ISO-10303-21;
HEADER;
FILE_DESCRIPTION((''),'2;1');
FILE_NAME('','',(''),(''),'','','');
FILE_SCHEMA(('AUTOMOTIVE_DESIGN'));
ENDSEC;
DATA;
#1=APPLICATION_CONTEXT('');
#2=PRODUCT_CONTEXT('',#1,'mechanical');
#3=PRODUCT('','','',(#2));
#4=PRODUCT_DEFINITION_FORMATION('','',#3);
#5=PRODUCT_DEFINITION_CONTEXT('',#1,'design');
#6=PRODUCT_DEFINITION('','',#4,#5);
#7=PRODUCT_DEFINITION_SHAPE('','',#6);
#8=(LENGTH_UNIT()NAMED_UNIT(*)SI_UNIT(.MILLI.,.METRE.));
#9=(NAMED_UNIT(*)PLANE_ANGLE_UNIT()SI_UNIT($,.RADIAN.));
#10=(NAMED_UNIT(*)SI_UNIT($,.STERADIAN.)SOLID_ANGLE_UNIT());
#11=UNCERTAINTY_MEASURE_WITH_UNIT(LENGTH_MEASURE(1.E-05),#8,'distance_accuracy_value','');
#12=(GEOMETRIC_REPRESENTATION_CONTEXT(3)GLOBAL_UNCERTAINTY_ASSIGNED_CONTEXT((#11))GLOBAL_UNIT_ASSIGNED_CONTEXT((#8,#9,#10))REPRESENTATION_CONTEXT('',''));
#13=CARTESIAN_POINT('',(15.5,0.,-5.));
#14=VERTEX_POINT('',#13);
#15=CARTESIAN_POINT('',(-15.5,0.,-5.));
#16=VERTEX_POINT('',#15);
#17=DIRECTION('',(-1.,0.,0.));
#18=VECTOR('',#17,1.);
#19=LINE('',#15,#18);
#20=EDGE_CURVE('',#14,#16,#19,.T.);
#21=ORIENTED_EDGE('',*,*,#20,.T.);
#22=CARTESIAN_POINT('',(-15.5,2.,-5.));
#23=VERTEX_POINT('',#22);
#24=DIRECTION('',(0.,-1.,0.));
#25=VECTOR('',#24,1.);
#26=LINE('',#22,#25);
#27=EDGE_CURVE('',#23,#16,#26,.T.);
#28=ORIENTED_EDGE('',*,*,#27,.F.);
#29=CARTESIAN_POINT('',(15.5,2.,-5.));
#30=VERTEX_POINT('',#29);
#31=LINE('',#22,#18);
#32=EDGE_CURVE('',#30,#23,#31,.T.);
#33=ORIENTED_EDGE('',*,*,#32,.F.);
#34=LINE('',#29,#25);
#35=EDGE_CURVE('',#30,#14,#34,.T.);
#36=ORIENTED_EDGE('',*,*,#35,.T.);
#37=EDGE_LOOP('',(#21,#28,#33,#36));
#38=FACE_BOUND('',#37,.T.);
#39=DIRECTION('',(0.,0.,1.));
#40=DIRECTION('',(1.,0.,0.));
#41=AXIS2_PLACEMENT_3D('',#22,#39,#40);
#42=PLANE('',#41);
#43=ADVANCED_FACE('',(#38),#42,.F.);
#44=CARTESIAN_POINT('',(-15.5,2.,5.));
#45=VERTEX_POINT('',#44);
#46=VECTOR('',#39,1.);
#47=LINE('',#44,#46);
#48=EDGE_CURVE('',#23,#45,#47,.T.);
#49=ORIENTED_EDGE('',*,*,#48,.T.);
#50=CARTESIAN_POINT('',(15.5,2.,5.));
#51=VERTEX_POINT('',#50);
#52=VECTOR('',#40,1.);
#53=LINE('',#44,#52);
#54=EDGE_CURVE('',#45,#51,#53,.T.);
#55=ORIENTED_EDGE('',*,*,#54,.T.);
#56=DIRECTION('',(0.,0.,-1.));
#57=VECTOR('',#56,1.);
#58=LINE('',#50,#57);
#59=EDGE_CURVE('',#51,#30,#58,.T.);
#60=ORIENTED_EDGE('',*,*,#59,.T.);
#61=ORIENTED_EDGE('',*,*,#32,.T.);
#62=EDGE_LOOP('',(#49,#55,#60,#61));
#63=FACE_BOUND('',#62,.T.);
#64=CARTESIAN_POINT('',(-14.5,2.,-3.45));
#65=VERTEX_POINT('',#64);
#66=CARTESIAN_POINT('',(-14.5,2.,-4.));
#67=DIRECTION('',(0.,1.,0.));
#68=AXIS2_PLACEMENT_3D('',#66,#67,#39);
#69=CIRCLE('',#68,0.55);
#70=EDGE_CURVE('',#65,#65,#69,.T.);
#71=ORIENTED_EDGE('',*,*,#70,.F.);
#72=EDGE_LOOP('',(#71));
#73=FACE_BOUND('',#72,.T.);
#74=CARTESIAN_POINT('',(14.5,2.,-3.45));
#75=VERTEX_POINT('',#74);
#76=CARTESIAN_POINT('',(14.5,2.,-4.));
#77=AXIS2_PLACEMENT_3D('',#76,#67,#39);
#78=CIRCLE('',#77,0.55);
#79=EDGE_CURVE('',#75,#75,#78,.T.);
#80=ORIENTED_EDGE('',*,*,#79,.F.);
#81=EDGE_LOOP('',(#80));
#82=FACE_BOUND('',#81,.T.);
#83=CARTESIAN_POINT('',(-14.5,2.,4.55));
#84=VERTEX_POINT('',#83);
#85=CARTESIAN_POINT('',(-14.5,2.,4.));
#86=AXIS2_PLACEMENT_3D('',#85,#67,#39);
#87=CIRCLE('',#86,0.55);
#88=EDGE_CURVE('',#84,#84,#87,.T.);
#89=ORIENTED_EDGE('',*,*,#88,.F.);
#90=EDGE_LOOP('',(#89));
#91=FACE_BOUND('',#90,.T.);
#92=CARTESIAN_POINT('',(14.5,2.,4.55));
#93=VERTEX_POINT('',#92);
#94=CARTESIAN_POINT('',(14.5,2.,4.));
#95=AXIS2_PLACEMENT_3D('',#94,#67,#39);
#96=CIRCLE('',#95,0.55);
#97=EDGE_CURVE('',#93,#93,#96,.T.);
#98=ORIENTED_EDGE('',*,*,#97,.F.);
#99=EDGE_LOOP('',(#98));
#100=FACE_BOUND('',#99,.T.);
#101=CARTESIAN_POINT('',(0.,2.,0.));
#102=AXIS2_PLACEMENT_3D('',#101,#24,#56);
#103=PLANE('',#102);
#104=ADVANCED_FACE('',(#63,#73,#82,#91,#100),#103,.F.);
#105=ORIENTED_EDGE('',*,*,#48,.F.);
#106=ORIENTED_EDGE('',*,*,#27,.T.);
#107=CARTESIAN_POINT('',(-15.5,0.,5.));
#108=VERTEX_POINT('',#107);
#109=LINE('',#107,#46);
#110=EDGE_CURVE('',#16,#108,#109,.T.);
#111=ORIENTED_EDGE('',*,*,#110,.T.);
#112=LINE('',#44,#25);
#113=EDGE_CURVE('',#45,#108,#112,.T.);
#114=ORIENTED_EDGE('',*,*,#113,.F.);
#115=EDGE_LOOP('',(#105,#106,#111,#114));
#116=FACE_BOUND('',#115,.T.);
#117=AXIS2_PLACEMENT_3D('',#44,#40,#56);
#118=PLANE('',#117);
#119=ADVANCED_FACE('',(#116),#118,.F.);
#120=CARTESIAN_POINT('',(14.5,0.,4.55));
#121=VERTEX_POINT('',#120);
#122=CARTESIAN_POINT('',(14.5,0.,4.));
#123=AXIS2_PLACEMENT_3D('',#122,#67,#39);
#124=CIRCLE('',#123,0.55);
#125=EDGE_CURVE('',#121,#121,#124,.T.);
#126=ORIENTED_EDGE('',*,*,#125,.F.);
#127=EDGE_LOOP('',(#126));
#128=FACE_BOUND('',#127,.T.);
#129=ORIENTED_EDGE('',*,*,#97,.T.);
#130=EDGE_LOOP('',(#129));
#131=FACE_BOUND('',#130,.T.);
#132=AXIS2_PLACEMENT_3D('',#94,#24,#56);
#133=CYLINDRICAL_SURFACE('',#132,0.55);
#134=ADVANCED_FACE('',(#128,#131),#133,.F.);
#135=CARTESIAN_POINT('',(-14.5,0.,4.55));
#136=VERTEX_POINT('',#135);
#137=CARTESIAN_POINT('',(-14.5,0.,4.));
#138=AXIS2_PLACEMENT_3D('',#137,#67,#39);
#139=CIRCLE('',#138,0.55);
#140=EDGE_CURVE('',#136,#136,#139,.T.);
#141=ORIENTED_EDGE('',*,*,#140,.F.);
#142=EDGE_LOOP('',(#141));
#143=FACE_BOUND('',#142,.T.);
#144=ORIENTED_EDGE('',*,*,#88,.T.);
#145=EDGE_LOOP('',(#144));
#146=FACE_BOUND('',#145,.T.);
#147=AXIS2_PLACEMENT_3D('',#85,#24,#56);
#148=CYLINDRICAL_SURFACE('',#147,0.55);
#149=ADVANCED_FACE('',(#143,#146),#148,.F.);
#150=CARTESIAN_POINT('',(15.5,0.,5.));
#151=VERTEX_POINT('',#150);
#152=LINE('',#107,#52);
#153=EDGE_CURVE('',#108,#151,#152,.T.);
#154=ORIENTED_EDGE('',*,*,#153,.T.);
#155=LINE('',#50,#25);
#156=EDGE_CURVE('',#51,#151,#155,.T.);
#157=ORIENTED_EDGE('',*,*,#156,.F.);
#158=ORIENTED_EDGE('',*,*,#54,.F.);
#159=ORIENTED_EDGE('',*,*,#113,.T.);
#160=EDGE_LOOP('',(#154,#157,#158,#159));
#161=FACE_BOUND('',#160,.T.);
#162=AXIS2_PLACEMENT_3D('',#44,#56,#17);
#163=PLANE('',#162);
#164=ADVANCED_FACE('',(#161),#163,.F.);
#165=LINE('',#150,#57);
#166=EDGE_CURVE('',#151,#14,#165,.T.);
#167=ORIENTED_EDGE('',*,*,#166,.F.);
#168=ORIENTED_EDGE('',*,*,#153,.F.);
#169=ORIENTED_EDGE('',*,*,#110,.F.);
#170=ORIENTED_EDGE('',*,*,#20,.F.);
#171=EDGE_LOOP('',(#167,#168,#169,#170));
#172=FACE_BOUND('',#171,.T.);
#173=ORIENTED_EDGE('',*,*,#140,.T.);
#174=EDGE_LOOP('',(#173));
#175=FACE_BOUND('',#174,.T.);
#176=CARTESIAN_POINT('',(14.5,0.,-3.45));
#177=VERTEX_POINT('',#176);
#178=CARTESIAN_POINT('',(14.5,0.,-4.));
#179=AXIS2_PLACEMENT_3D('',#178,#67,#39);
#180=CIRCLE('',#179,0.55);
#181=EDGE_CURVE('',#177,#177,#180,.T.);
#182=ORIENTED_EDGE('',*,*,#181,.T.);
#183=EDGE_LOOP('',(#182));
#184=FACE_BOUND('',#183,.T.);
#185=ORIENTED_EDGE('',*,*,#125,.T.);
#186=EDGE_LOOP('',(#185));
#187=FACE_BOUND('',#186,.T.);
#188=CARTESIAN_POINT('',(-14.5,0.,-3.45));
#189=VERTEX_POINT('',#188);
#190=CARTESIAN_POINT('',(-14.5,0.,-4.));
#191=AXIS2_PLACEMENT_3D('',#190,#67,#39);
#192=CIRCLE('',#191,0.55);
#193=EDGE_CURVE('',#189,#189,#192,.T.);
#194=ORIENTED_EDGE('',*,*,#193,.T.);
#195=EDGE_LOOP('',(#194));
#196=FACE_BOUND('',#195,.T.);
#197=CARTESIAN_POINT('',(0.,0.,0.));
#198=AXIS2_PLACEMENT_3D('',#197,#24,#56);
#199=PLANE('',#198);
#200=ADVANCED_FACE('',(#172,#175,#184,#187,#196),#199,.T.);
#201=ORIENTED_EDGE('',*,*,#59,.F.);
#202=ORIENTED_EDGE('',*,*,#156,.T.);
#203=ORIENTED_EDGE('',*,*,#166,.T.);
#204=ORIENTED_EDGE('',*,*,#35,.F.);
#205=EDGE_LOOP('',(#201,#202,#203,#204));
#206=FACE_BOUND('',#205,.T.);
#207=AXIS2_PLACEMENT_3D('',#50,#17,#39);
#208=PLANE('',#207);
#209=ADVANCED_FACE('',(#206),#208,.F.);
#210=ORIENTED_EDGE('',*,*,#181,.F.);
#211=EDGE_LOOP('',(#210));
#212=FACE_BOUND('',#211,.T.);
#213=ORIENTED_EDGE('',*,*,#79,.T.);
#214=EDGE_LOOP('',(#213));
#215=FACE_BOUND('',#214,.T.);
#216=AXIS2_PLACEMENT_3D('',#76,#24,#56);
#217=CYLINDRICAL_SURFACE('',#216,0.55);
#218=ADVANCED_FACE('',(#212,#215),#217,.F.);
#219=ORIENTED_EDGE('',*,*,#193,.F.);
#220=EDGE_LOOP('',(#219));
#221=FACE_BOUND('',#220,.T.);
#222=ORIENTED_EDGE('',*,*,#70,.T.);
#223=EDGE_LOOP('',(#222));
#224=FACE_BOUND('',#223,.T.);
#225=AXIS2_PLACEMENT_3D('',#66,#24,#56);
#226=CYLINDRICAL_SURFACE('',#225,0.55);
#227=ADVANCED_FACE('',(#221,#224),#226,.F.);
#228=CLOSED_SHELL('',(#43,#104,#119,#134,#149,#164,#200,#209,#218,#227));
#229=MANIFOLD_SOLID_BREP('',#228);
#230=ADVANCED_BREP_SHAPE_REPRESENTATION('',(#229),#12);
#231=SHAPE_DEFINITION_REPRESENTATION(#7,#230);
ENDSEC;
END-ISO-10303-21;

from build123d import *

# Parameters (mm, degrees)
SKETCH1_W           = 31
SKETCH1_H           = 10
SKETCH1_R           = 0.55
BOSS_EXTRUDE1_DEPTH = 2


with BuildPart() as part:
    # Sketch1 → Boss-Extrude1 (new body)
    with BuildSketch(Plane(origin=(0, 0, 0), x_dir=(1, 0, 0), z_dir=(0, 1, 0))):
        Rectangle(SKETCH1_W, SKETCH1_H)
        with Locations(Location((-14.5, 4, 0), (0, 0, 270))):
            Circle(SKETCH1_R, mode=Mode.SUBTRACT)
        with Locations(Location((14.5, 4, 0), (0, 0, 270))):
            Circle(SKETCH1_R, mode=Mode.SUBTRACT)
        with Locations(Location((14.5, -4, 0), (0, 0, 270))):
            Circle(SKETCH1_R, mode=Mode.SUBTRACT)
        with Locations(Location((-14.5, -4, 0), (0, 0, 270))):
            Circle(SKETCH1_R, mode=Mode.SUBTRACT)
    extrude(amount=BOSS_EXTRUDE1_DEPTH)


solid = part.part
